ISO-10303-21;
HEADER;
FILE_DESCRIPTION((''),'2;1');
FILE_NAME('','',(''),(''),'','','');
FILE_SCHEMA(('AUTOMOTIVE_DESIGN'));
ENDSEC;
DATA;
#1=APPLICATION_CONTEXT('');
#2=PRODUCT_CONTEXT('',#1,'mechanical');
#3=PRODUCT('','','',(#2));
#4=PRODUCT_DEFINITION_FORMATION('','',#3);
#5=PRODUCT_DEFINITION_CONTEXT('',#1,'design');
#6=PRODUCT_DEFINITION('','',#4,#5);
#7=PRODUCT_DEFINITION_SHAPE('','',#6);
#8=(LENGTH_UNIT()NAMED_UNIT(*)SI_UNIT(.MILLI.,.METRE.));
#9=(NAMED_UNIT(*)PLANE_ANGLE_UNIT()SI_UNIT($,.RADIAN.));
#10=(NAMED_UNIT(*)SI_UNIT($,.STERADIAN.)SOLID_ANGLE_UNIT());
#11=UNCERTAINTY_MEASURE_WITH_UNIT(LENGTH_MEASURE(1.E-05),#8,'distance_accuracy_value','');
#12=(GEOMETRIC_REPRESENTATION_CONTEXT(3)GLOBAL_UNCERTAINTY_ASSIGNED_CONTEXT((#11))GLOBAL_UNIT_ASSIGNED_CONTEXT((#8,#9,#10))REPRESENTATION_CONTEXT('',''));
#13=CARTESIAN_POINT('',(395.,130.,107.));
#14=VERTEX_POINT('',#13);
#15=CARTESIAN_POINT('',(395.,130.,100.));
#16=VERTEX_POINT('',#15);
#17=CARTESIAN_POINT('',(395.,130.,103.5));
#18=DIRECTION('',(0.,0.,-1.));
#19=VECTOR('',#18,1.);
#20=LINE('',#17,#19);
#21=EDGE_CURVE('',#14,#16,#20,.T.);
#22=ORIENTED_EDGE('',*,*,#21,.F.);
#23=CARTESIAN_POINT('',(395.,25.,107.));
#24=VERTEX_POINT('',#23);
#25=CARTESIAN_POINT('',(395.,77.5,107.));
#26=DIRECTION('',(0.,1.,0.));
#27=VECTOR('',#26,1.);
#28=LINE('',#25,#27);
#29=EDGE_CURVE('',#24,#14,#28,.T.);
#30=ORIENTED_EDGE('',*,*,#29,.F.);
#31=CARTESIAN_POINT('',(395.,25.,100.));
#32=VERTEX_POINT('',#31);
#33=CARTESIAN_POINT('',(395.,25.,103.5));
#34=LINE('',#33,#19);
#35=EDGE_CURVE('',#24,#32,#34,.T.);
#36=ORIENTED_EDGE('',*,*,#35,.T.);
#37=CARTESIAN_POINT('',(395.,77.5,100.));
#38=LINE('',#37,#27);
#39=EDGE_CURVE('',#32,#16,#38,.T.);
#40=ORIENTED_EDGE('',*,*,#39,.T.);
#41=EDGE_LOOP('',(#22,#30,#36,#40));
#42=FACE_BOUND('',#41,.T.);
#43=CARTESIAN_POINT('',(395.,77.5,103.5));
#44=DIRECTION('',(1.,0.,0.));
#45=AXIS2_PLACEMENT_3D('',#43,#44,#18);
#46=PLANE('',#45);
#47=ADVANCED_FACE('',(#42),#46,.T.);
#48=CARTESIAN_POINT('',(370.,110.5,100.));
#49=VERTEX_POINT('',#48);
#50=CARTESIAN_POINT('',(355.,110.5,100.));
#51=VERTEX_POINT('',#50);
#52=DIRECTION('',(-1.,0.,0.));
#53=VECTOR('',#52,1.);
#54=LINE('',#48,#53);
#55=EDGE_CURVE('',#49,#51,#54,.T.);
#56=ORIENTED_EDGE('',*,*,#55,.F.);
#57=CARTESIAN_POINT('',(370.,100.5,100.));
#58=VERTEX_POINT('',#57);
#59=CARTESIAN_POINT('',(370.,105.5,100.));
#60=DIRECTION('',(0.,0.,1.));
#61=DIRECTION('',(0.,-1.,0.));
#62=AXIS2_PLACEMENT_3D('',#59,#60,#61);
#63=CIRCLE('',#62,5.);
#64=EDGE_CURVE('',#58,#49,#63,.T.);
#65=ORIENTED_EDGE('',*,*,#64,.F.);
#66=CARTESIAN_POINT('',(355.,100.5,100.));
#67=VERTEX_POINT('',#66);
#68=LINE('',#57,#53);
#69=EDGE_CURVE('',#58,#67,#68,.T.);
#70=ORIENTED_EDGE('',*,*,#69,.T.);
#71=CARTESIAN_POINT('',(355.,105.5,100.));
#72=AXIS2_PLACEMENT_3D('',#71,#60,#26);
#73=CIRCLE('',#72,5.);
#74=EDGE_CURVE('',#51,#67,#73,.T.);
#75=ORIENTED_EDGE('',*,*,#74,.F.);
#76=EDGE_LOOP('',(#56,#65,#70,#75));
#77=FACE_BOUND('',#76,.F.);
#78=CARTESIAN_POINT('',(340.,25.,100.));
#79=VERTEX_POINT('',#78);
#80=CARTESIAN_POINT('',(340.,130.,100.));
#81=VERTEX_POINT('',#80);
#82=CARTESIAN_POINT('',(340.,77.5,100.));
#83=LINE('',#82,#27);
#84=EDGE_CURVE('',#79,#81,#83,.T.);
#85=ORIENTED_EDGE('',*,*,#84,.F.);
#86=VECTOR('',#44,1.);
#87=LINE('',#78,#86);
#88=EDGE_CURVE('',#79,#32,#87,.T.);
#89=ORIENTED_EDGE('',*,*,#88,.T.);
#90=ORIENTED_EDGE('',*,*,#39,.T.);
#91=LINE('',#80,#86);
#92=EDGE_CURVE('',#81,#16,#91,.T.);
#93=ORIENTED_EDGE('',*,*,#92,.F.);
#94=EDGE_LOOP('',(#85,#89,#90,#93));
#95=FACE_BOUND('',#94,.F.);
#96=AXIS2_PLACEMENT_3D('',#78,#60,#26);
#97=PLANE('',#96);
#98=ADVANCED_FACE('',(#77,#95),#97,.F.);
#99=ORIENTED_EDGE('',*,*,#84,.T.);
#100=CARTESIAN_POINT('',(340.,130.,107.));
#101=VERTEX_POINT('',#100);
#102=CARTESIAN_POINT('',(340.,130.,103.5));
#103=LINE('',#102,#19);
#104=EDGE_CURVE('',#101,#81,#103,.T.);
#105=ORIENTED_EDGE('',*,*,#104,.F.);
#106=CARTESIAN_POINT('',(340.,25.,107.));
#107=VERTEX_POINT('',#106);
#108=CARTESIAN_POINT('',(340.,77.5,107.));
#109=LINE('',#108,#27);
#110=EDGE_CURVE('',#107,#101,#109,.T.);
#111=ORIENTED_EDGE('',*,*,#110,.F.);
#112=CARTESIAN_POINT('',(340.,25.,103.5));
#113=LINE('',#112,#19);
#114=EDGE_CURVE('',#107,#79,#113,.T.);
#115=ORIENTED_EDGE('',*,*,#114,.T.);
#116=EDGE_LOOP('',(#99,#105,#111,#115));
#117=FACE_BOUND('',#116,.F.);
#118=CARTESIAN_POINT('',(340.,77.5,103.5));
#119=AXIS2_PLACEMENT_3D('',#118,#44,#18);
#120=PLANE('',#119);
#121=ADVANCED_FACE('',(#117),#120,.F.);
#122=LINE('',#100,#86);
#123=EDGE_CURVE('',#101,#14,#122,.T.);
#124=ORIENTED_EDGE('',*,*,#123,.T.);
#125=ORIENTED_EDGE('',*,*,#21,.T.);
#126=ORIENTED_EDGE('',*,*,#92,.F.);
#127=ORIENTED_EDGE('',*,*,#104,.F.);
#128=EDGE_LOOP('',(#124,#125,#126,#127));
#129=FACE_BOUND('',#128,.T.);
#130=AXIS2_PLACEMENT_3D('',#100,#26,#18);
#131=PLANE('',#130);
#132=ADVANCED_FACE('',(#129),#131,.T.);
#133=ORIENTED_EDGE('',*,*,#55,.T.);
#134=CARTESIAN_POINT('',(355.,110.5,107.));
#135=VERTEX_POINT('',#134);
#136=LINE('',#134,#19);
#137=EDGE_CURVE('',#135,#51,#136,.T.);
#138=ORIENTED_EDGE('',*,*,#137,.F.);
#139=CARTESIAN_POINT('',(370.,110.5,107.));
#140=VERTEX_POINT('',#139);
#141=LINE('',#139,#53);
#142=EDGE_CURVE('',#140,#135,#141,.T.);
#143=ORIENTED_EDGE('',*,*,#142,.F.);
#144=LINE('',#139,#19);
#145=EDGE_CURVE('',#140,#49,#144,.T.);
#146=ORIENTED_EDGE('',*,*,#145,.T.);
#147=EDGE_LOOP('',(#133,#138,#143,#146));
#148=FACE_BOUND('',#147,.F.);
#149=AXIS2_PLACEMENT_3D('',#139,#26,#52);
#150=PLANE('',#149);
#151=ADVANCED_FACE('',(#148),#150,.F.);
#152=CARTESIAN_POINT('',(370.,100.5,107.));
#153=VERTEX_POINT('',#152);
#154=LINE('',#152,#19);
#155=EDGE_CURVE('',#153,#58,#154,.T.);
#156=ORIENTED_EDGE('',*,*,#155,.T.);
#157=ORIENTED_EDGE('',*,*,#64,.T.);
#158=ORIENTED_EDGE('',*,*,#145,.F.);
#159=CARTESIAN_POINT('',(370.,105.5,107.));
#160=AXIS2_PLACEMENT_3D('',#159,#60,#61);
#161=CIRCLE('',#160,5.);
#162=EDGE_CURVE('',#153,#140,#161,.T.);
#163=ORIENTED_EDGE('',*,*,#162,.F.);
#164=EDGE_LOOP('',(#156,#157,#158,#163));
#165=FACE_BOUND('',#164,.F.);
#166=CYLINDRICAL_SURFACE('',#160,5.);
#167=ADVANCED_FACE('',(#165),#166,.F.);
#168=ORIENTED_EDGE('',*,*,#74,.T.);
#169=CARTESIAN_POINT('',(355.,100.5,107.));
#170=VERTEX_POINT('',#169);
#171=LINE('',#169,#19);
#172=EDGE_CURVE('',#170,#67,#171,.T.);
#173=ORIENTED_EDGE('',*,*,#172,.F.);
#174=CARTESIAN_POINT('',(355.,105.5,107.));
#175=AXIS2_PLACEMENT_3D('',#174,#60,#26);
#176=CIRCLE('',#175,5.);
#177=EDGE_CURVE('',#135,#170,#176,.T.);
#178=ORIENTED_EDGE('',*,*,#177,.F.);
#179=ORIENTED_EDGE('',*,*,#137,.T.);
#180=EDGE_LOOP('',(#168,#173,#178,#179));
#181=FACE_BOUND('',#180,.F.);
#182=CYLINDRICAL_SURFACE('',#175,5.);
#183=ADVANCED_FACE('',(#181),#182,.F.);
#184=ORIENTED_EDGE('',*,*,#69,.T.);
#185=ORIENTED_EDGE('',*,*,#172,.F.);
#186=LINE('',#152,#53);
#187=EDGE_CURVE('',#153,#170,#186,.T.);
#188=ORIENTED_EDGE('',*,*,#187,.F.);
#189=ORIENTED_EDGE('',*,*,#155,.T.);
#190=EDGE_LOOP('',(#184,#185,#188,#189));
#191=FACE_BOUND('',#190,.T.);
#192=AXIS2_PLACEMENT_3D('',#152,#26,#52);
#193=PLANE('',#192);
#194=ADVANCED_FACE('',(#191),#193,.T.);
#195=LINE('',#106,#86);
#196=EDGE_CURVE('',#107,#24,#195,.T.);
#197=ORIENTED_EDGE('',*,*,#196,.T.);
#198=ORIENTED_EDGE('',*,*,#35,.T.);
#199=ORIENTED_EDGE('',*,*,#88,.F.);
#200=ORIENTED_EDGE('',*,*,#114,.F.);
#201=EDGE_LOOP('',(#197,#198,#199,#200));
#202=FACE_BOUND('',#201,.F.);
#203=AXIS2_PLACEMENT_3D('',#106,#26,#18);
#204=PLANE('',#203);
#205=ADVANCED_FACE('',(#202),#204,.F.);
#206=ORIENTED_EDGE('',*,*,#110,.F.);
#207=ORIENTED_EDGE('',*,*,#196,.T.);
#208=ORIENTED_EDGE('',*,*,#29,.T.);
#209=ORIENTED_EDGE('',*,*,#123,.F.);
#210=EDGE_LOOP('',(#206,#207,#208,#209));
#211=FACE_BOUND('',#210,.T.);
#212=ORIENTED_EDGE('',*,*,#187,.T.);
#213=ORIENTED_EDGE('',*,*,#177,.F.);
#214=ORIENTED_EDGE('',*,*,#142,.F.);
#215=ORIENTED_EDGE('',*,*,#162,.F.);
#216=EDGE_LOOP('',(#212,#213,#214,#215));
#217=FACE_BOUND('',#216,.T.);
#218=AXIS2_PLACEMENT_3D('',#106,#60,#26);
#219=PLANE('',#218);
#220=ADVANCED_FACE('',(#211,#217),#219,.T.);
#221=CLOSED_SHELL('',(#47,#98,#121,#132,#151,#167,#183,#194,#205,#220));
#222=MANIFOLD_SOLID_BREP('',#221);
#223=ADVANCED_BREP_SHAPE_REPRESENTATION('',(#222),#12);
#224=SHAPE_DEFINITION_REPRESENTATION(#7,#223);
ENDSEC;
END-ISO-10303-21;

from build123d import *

# Parameters (mm, degrees)
EXTRUDE_DEPTH = 7
BOX074_W      = 7
BOX074_H      = 105
BOX074_DEPTH  = 55


with BuildPart() as wirecut:
    # Sketch014 (on Face1 of Box074) → Extrude (new body)
    with BuildSketch(Plane(origin=(340, 25, 107), x_dir=(0, -1, 0), z_dir=(0, 0, 1))):
        with BuildLine():
            ThreePointArc((-75.5, 30), (-80.5, 35), (-85.5, 30))
            Line((-85.5, 30), (-85.5, 15))
            ThreePointArc((-85.5, 15), (-80.5, 10), (-75.5, 15))
            Line((-75.5, 30), (-75.5, 15))
        make_face()
    extrude(amount=-EXTRUDE_DEPTH)


with BuildPart() as cut003:
    # Box074 → Box074 (new body)
    with BuildSketch(Plane(origin=(340, 25, 107), x_dir=(0, 0, -1), z_dir=(1, 0, 0))):
        with Locations((3.5, 52.5)):
            Rectangle(BOX074_W, BOX074_H)
    extrude(amount=BOX074_DEPTH)

    # Cut003: cut Wirecut
    add(wirecut.part, mode=Mode.SUBTRACT)


solid = cut003.part
